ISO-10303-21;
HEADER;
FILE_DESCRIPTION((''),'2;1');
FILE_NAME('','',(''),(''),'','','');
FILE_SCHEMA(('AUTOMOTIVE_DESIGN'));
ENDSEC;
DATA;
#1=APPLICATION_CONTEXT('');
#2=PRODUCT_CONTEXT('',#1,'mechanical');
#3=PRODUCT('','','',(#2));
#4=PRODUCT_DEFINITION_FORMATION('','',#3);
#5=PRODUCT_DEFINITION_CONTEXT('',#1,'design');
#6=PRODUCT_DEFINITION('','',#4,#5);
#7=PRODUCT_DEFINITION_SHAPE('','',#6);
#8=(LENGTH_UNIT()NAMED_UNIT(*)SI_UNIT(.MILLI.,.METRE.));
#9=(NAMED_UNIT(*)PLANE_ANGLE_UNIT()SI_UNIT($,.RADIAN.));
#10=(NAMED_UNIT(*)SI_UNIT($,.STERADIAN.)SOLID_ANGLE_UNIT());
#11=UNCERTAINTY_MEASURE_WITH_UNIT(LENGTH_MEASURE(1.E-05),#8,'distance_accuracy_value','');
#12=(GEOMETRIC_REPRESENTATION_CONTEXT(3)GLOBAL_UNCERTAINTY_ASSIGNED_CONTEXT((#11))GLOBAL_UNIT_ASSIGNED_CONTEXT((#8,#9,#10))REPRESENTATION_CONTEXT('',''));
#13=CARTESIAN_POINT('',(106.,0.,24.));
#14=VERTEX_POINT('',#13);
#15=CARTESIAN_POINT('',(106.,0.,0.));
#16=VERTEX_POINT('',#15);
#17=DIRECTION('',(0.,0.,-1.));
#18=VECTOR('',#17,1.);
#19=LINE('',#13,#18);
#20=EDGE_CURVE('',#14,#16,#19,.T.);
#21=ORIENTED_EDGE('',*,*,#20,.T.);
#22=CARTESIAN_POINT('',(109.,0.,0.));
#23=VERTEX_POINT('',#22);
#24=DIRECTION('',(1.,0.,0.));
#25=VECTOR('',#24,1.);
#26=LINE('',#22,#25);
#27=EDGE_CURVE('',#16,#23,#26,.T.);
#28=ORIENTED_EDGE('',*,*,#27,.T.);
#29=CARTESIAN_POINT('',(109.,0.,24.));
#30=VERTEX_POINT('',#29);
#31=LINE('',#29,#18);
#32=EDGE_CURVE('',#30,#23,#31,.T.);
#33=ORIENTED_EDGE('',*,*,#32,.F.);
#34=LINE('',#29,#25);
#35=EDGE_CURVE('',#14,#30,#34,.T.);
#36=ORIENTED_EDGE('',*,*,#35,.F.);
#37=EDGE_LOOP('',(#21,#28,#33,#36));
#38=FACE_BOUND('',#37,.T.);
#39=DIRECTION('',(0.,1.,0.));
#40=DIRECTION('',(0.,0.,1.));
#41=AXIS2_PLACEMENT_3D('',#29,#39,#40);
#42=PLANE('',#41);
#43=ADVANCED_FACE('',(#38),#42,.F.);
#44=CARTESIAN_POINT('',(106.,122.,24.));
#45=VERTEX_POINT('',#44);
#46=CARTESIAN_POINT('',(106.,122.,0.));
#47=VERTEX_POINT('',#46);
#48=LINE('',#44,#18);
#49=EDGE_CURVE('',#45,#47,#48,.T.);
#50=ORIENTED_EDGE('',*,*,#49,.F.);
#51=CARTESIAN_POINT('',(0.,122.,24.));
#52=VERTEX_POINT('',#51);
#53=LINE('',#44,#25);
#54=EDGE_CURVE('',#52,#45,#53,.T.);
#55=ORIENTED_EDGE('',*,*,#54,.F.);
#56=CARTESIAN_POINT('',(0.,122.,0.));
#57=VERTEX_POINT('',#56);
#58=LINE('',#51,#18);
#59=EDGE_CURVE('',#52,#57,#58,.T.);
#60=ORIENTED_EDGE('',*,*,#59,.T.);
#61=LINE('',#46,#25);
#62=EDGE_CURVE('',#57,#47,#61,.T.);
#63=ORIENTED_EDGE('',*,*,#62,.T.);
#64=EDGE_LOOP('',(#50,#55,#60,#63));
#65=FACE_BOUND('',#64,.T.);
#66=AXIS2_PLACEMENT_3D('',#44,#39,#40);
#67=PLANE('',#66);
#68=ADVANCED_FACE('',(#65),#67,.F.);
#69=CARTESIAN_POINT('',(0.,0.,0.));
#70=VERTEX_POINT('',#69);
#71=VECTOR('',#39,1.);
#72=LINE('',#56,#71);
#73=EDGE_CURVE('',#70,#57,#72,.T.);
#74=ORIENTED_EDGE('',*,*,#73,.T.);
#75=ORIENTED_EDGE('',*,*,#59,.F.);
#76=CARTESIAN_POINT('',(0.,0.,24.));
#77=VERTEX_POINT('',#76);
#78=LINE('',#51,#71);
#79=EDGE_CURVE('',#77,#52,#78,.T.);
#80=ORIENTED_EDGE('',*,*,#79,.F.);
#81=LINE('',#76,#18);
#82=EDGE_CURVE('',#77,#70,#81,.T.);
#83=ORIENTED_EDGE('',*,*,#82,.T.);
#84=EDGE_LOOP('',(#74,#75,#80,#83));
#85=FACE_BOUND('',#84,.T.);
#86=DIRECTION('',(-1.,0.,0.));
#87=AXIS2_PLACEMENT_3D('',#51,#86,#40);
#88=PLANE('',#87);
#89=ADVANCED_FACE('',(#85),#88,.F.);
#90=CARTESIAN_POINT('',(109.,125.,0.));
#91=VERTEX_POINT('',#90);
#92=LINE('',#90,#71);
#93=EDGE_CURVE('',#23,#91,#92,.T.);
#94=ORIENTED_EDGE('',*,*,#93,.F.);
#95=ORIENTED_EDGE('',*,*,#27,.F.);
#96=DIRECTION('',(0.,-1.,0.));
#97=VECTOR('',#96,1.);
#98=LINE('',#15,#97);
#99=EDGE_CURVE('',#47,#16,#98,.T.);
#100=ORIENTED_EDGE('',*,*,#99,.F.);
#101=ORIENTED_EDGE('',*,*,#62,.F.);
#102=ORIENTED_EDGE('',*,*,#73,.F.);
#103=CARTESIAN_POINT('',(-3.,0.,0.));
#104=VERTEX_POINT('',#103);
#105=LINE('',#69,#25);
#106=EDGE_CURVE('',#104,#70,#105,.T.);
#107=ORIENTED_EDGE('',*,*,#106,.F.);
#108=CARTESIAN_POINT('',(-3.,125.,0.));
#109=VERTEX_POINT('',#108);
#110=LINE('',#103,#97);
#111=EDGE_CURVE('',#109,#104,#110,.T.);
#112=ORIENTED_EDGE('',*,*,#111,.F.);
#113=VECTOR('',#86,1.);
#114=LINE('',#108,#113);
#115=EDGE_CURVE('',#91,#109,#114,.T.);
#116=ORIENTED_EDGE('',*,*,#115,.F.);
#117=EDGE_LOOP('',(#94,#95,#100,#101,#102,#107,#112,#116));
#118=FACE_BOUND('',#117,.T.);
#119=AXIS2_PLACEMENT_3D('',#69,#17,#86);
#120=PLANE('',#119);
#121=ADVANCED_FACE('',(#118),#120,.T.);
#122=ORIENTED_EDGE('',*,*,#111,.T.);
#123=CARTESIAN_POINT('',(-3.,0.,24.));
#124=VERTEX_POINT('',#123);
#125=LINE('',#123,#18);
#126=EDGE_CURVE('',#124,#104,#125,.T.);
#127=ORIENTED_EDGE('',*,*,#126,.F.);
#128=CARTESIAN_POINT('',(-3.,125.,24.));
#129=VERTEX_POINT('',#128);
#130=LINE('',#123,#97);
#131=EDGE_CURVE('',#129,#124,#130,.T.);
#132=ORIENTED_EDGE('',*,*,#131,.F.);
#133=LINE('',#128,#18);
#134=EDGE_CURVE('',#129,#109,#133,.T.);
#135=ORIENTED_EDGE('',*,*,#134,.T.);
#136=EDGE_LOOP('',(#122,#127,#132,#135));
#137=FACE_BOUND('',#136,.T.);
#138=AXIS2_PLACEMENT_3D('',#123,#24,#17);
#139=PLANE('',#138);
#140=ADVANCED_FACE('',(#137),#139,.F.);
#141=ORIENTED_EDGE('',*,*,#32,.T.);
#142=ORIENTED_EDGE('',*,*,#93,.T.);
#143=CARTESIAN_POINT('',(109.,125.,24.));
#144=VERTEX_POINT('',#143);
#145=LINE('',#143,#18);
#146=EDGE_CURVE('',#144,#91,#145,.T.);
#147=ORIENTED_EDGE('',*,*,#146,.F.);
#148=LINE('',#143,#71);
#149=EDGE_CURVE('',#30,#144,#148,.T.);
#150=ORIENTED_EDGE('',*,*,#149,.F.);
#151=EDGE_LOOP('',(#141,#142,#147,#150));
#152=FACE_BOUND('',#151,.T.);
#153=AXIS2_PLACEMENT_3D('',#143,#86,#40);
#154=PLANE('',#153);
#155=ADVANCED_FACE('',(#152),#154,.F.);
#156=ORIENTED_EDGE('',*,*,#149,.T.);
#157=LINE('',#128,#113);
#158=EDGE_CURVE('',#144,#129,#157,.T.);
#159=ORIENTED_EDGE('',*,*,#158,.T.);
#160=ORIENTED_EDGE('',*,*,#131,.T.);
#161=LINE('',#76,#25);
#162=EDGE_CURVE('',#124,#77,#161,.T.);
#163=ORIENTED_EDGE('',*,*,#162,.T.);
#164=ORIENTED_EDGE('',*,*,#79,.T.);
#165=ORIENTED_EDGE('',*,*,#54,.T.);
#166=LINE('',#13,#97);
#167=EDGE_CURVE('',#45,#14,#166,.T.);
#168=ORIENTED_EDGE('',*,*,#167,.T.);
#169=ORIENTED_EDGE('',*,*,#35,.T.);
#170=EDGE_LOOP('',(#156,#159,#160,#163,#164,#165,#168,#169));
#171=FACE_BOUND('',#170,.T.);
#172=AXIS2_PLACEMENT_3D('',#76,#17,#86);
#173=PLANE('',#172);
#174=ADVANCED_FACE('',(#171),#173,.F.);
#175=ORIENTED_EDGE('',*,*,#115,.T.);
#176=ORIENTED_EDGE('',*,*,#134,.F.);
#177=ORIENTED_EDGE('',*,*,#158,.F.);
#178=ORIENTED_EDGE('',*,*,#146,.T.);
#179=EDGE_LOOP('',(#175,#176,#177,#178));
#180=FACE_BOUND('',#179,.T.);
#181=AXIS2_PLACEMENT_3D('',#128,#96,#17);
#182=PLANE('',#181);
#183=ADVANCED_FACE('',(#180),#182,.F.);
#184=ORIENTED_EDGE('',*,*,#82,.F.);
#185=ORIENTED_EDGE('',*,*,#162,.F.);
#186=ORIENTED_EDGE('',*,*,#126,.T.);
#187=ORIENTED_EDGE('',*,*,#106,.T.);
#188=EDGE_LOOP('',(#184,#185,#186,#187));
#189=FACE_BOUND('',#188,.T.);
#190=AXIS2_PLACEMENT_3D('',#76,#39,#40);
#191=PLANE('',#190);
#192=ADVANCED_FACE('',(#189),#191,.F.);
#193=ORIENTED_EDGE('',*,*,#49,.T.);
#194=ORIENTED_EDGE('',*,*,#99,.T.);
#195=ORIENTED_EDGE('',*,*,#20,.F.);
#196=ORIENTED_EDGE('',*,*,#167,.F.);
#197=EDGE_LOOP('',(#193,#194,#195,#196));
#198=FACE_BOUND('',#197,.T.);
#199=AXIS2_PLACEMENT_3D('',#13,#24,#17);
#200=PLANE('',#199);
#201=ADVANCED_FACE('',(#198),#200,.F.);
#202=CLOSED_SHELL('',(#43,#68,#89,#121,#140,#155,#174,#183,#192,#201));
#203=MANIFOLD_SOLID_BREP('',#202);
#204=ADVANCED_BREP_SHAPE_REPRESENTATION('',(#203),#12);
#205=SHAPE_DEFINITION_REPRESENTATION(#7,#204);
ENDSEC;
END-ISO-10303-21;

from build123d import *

# Parameters (mm, degrees)
EXTRUDE_2_DEPTH = 24


with BuildPart() as part:
    # 草图1 → Extrude 2 (new body)
    with BuildSketch(Plane.XY):
        Polygon((-3, 0), (-3, 125), (109, 125), (109, 0), (106, 0), (106, 122), (0, 122), (0, 0), align=None)
    extrude(amount=EXTRUDE_2_DEPTH)


solid = part.part
